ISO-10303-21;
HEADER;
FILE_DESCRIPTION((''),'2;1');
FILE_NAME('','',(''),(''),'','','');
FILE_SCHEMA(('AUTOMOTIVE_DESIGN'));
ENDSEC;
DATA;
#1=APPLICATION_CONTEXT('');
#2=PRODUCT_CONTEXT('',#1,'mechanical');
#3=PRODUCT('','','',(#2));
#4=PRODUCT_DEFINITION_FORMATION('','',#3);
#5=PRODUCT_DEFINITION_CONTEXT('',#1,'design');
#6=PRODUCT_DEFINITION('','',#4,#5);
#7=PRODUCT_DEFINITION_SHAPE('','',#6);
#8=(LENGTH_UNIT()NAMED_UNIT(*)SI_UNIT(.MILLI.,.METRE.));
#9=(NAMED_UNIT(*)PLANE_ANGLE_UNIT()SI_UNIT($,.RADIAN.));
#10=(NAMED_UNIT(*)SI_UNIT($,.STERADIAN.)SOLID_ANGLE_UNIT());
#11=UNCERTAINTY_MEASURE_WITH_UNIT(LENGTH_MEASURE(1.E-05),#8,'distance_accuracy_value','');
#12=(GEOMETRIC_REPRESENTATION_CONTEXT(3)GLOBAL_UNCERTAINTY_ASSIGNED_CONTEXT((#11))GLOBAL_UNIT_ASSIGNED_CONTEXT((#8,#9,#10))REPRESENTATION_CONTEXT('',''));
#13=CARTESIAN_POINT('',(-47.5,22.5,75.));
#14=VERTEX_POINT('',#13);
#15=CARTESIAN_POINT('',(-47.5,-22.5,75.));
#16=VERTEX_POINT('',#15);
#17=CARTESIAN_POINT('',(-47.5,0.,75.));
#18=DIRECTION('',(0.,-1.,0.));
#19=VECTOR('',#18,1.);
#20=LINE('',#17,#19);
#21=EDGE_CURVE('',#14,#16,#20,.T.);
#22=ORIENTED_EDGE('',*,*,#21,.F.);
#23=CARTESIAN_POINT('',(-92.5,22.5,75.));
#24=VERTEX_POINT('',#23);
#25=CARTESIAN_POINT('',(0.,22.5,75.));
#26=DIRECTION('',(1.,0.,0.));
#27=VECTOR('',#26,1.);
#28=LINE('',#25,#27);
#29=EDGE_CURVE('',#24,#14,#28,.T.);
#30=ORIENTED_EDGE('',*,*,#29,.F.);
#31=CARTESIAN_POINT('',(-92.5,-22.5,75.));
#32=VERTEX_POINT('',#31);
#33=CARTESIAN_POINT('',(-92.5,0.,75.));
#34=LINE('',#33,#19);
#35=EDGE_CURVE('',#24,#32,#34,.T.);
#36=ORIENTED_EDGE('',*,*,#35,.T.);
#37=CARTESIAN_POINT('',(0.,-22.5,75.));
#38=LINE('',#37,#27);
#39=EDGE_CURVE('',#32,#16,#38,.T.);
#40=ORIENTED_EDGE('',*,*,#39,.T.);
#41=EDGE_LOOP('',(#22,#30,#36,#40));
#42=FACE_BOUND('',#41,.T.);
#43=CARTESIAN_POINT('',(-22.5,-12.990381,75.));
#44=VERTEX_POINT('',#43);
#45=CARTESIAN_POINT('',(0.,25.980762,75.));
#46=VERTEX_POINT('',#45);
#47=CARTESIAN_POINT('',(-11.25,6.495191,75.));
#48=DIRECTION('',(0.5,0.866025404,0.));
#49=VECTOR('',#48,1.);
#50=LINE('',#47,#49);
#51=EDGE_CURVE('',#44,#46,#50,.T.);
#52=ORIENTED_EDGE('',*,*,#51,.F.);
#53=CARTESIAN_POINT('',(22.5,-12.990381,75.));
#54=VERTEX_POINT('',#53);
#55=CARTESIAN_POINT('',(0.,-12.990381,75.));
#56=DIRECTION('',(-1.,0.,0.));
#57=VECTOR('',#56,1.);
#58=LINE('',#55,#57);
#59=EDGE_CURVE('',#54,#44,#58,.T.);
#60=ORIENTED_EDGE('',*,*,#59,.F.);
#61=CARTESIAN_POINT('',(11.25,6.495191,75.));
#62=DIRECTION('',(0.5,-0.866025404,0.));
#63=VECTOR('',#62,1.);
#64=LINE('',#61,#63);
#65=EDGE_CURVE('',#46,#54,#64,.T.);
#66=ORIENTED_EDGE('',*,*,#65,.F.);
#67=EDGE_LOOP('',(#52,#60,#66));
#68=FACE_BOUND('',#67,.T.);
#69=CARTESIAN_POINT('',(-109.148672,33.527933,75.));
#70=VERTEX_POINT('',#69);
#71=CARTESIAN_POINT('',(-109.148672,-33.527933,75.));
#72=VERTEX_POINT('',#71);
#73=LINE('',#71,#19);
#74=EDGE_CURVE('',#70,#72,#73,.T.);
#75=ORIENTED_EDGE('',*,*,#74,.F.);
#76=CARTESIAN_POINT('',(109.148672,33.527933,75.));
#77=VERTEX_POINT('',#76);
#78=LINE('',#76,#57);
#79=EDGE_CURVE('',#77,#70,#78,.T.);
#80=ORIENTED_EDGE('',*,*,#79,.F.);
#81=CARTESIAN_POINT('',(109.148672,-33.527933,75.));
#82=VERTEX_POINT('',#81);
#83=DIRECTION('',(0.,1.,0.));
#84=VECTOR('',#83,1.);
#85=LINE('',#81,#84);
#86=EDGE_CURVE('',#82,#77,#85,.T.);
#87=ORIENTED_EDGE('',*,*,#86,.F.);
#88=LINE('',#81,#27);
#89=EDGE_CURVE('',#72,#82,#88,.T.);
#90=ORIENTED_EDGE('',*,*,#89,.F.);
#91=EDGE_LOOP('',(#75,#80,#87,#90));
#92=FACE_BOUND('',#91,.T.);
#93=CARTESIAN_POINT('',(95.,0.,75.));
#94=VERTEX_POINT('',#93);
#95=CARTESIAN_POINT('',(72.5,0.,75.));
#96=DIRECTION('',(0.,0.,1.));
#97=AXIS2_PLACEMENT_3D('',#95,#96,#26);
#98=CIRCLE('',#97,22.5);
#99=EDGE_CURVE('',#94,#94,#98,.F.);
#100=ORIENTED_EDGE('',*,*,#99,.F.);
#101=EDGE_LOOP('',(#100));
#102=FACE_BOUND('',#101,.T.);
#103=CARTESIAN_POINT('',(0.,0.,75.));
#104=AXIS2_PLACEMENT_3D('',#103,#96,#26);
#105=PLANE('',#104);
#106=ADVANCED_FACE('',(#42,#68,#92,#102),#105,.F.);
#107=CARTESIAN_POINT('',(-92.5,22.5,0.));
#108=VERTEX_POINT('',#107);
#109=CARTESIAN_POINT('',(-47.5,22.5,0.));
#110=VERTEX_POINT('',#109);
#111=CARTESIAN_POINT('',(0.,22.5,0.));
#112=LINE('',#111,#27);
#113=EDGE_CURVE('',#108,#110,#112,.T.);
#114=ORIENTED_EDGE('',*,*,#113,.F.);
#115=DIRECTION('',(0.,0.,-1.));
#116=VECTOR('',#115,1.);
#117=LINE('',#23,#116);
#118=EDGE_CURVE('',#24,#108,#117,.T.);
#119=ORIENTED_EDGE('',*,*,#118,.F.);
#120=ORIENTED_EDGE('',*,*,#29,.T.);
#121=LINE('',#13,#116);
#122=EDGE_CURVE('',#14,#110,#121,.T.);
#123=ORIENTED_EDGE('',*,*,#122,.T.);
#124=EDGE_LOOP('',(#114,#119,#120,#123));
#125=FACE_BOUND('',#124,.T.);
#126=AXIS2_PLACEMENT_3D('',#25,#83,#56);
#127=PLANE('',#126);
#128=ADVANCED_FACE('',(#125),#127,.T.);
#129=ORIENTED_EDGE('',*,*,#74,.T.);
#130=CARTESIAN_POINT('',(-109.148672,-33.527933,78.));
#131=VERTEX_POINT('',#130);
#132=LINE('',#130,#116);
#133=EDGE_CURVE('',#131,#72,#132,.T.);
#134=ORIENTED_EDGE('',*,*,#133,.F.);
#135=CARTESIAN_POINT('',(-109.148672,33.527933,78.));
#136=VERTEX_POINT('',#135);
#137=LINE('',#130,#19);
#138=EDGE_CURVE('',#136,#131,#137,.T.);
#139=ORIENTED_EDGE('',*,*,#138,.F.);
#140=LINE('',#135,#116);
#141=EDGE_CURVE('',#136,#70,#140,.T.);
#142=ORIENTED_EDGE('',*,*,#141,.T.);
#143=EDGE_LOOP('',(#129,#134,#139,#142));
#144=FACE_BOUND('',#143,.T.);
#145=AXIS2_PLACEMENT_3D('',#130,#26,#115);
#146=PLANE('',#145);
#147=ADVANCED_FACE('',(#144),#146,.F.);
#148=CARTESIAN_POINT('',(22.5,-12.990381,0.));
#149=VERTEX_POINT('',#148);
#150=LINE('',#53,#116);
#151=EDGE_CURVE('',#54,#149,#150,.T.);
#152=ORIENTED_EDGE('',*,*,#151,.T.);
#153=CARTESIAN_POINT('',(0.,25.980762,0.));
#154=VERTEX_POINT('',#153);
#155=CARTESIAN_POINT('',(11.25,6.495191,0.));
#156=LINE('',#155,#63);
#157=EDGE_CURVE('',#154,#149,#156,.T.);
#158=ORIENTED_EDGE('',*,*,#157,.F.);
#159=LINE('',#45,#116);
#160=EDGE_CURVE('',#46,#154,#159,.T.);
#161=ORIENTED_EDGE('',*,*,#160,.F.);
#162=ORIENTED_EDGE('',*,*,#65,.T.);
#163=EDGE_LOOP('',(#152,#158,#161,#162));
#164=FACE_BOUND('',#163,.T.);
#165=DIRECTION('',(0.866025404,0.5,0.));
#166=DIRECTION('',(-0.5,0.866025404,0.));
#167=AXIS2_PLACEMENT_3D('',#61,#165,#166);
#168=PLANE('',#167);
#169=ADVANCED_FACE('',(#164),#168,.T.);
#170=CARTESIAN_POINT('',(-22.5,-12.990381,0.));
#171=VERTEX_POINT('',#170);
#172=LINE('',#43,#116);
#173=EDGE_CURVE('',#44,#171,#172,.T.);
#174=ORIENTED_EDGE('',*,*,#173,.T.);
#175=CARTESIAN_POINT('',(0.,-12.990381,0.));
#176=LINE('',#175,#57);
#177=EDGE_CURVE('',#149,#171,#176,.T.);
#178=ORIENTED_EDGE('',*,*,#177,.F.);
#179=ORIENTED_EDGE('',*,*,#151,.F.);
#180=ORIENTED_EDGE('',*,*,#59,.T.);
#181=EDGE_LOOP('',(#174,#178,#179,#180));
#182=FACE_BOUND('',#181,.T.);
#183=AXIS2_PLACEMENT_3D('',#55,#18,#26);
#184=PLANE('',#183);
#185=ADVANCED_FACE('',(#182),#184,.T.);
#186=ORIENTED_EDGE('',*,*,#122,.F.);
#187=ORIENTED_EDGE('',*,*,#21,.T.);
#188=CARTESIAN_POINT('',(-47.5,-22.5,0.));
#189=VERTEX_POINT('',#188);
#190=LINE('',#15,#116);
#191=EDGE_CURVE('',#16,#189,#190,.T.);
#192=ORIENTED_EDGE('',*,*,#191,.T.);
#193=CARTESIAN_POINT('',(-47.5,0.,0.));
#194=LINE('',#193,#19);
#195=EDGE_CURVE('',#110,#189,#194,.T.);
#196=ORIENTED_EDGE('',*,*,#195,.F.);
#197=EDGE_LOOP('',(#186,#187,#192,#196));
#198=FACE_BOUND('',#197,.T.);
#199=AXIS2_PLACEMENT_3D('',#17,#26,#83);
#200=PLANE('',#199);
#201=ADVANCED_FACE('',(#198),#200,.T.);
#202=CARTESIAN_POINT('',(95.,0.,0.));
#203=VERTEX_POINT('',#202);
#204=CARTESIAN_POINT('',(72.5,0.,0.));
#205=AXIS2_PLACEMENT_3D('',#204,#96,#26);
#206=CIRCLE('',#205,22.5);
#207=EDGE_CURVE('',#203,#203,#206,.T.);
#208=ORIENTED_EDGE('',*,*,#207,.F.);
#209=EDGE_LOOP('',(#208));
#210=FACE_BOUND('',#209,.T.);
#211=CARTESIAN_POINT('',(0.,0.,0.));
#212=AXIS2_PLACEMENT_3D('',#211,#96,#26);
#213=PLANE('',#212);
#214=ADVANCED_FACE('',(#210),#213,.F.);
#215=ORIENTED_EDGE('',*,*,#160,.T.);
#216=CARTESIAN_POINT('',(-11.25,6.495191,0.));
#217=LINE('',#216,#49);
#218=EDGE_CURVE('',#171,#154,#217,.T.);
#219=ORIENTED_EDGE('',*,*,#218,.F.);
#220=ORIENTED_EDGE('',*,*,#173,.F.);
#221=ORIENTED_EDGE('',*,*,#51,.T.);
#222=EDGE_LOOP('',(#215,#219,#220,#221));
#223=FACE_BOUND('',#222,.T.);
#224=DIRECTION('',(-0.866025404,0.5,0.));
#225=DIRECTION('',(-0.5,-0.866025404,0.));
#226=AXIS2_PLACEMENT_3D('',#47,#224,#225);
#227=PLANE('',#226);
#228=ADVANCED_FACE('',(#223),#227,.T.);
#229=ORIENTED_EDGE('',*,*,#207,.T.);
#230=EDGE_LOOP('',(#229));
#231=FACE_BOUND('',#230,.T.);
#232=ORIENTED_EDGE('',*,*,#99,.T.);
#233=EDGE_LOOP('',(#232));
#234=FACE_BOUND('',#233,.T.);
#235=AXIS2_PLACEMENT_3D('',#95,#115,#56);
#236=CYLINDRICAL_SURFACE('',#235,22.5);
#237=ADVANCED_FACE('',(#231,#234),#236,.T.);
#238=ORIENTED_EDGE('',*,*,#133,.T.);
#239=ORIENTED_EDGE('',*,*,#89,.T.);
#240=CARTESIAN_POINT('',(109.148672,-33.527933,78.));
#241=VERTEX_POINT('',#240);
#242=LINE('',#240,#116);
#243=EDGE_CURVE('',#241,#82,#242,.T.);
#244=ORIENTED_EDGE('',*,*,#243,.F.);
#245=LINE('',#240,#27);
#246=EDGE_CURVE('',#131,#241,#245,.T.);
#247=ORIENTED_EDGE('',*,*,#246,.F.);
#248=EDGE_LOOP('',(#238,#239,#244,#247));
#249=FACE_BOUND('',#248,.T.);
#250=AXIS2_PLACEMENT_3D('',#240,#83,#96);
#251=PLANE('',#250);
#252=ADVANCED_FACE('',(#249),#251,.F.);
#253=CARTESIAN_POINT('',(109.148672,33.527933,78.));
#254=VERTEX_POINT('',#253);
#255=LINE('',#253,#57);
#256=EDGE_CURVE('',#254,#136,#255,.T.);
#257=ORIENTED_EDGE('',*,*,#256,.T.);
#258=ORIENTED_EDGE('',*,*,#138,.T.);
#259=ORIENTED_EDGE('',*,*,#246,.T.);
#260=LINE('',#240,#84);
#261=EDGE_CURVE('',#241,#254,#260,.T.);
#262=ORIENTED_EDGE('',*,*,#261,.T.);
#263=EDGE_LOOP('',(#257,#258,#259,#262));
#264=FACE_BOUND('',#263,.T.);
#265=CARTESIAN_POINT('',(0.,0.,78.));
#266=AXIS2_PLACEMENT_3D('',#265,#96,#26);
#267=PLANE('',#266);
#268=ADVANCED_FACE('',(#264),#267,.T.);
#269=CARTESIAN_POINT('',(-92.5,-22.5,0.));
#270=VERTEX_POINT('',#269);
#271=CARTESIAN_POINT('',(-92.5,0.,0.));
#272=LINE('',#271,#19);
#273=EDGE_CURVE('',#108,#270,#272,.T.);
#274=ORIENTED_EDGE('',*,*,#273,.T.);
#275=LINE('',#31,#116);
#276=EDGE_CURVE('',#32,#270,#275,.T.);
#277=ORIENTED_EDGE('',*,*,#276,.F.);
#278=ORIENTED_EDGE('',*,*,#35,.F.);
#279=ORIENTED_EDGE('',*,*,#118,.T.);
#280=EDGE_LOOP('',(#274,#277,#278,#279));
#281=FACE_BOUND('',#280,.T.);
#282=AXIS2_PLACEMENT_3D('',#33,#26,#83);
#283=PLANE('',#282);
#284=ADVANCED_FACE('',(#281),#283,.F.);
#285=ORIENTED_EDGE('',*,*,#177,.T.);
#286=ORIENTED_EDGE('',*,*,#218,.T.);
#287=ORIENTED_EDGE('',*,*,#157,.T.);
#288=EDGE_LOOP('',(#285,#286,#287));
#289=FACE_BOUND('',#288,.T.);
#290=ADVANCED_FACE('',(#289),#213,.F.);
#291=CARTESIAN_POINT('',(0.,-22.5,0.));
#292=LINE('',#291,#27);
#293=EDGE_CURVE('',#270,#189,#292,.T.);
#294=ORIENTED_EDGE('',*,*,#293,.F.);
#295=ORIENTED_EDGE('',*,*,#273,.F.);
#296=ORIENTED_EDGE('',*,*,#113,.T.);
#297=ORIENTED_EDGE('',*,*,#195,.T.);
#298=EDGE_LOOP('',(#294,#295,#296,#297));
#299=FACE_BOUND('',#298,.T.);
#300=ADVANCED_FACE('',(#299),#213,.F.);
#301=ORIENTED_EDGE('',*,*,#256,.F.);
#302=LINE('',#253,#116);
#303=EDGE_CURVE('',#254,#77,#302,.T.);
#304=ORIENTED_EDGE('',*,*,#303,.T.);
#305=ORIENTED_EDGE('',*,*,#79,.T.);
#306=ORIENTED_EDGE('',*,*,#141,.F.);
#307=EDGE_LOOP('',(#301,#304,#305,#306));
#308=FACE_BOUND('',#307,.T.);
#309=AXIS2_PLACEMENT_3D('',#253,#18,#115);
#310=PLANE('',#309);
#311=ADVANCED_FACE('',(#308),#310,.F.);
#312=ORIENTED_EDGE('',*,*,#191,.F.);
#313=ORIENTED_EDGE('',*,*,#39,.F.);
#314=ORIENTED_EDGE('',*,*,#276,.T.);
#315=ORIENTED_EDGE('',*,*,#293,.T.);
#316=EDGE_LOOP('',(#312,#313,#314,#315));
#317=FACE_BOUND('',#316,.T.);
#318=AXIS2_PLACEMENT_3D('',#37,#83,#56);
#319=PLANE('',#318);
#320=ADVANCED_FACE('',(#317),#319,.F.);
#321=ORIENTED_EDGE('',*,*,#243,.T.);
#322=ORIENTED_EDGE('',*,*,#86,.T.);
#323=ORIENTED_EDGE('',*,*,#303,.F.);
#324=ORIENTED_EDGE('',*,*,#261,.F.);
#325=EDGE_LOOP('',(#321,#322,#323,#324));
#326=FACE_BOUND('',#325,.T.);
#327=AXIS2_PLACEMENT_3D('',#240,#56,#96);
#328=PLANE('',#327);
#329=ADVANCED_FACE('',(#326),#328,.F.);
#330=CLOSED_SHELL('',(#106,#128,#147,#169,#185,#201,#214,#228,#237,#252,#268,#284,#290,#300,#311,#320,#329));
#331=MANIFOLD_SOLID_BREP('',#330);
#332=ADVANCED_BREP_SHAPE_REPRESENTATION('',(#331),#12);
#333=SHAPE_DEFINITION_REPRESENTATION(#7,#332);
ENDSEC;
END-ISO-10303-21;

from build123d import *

# Parameters (mm, degrees)
SKETCH1_R             = 22.5
BOSS_EXTRUDE1_DEPTH   = 75
BOSS_EXTRUDE1_2_DEPTH = 75
SKETCH1_W             = 45
SKETCH1_H             = 45
BOSS_EXTRUDE1_3_DEPTH = 75
SKETCH2_W             = 218.297343906
SKETCH2_H             = 67.055865706
BOSS_EXTRUDE2_DEPTH   = 3


with BuildPart() as part:
    # Sketch1 → Boss-Extrude1 (new body)
    with BuildSketch(Plane.XY):
        with Locations((72.5, 0)):
            Circle(SKETCH1_R)
    extrude(amount=BOSS_EXTRUDE1_DEPTH)



with BuildPart() as body_2:
    # Sketch1 → Boss-Extrude1 2 (new body)
    with BuildSketch(Plane.XY):
        Polygon((-22.5, -12.990381057), (0, 25.980762114), (22.5, -12.990381057), align=None)
    extrude(amount=BOSS_EXTRUDE1_2_DEPTH)


with BuildPart() as body_3:
    # Sketch1 → Boss-Extrude1 3 (new body)
    with BuildSketch(Plane.XY):
        with Locations((-70, 0)):
            Rectangle(SKETCH1_W, SKETCH1_H)
    extrude(amount=BOSS_EXTRUDE1_3_DEPTH)


with BuildPart() as part_1:
    add(part.part)

    add(body_2.part)  # Boss-Extrude2 merges body 2

    add(body_3.part)  # Boss-Extrude2 merges body 3
    # Sketch2 → Boss-Extrude2 (add)
    with BuildSketch(Plane.XY.offset(75)):
        Rectangle(SKETCH2_W, SKETCH2_H)
    extrude(amount=BOSS_EXTRUDE2_DEPTH)


solid = part_1.part
